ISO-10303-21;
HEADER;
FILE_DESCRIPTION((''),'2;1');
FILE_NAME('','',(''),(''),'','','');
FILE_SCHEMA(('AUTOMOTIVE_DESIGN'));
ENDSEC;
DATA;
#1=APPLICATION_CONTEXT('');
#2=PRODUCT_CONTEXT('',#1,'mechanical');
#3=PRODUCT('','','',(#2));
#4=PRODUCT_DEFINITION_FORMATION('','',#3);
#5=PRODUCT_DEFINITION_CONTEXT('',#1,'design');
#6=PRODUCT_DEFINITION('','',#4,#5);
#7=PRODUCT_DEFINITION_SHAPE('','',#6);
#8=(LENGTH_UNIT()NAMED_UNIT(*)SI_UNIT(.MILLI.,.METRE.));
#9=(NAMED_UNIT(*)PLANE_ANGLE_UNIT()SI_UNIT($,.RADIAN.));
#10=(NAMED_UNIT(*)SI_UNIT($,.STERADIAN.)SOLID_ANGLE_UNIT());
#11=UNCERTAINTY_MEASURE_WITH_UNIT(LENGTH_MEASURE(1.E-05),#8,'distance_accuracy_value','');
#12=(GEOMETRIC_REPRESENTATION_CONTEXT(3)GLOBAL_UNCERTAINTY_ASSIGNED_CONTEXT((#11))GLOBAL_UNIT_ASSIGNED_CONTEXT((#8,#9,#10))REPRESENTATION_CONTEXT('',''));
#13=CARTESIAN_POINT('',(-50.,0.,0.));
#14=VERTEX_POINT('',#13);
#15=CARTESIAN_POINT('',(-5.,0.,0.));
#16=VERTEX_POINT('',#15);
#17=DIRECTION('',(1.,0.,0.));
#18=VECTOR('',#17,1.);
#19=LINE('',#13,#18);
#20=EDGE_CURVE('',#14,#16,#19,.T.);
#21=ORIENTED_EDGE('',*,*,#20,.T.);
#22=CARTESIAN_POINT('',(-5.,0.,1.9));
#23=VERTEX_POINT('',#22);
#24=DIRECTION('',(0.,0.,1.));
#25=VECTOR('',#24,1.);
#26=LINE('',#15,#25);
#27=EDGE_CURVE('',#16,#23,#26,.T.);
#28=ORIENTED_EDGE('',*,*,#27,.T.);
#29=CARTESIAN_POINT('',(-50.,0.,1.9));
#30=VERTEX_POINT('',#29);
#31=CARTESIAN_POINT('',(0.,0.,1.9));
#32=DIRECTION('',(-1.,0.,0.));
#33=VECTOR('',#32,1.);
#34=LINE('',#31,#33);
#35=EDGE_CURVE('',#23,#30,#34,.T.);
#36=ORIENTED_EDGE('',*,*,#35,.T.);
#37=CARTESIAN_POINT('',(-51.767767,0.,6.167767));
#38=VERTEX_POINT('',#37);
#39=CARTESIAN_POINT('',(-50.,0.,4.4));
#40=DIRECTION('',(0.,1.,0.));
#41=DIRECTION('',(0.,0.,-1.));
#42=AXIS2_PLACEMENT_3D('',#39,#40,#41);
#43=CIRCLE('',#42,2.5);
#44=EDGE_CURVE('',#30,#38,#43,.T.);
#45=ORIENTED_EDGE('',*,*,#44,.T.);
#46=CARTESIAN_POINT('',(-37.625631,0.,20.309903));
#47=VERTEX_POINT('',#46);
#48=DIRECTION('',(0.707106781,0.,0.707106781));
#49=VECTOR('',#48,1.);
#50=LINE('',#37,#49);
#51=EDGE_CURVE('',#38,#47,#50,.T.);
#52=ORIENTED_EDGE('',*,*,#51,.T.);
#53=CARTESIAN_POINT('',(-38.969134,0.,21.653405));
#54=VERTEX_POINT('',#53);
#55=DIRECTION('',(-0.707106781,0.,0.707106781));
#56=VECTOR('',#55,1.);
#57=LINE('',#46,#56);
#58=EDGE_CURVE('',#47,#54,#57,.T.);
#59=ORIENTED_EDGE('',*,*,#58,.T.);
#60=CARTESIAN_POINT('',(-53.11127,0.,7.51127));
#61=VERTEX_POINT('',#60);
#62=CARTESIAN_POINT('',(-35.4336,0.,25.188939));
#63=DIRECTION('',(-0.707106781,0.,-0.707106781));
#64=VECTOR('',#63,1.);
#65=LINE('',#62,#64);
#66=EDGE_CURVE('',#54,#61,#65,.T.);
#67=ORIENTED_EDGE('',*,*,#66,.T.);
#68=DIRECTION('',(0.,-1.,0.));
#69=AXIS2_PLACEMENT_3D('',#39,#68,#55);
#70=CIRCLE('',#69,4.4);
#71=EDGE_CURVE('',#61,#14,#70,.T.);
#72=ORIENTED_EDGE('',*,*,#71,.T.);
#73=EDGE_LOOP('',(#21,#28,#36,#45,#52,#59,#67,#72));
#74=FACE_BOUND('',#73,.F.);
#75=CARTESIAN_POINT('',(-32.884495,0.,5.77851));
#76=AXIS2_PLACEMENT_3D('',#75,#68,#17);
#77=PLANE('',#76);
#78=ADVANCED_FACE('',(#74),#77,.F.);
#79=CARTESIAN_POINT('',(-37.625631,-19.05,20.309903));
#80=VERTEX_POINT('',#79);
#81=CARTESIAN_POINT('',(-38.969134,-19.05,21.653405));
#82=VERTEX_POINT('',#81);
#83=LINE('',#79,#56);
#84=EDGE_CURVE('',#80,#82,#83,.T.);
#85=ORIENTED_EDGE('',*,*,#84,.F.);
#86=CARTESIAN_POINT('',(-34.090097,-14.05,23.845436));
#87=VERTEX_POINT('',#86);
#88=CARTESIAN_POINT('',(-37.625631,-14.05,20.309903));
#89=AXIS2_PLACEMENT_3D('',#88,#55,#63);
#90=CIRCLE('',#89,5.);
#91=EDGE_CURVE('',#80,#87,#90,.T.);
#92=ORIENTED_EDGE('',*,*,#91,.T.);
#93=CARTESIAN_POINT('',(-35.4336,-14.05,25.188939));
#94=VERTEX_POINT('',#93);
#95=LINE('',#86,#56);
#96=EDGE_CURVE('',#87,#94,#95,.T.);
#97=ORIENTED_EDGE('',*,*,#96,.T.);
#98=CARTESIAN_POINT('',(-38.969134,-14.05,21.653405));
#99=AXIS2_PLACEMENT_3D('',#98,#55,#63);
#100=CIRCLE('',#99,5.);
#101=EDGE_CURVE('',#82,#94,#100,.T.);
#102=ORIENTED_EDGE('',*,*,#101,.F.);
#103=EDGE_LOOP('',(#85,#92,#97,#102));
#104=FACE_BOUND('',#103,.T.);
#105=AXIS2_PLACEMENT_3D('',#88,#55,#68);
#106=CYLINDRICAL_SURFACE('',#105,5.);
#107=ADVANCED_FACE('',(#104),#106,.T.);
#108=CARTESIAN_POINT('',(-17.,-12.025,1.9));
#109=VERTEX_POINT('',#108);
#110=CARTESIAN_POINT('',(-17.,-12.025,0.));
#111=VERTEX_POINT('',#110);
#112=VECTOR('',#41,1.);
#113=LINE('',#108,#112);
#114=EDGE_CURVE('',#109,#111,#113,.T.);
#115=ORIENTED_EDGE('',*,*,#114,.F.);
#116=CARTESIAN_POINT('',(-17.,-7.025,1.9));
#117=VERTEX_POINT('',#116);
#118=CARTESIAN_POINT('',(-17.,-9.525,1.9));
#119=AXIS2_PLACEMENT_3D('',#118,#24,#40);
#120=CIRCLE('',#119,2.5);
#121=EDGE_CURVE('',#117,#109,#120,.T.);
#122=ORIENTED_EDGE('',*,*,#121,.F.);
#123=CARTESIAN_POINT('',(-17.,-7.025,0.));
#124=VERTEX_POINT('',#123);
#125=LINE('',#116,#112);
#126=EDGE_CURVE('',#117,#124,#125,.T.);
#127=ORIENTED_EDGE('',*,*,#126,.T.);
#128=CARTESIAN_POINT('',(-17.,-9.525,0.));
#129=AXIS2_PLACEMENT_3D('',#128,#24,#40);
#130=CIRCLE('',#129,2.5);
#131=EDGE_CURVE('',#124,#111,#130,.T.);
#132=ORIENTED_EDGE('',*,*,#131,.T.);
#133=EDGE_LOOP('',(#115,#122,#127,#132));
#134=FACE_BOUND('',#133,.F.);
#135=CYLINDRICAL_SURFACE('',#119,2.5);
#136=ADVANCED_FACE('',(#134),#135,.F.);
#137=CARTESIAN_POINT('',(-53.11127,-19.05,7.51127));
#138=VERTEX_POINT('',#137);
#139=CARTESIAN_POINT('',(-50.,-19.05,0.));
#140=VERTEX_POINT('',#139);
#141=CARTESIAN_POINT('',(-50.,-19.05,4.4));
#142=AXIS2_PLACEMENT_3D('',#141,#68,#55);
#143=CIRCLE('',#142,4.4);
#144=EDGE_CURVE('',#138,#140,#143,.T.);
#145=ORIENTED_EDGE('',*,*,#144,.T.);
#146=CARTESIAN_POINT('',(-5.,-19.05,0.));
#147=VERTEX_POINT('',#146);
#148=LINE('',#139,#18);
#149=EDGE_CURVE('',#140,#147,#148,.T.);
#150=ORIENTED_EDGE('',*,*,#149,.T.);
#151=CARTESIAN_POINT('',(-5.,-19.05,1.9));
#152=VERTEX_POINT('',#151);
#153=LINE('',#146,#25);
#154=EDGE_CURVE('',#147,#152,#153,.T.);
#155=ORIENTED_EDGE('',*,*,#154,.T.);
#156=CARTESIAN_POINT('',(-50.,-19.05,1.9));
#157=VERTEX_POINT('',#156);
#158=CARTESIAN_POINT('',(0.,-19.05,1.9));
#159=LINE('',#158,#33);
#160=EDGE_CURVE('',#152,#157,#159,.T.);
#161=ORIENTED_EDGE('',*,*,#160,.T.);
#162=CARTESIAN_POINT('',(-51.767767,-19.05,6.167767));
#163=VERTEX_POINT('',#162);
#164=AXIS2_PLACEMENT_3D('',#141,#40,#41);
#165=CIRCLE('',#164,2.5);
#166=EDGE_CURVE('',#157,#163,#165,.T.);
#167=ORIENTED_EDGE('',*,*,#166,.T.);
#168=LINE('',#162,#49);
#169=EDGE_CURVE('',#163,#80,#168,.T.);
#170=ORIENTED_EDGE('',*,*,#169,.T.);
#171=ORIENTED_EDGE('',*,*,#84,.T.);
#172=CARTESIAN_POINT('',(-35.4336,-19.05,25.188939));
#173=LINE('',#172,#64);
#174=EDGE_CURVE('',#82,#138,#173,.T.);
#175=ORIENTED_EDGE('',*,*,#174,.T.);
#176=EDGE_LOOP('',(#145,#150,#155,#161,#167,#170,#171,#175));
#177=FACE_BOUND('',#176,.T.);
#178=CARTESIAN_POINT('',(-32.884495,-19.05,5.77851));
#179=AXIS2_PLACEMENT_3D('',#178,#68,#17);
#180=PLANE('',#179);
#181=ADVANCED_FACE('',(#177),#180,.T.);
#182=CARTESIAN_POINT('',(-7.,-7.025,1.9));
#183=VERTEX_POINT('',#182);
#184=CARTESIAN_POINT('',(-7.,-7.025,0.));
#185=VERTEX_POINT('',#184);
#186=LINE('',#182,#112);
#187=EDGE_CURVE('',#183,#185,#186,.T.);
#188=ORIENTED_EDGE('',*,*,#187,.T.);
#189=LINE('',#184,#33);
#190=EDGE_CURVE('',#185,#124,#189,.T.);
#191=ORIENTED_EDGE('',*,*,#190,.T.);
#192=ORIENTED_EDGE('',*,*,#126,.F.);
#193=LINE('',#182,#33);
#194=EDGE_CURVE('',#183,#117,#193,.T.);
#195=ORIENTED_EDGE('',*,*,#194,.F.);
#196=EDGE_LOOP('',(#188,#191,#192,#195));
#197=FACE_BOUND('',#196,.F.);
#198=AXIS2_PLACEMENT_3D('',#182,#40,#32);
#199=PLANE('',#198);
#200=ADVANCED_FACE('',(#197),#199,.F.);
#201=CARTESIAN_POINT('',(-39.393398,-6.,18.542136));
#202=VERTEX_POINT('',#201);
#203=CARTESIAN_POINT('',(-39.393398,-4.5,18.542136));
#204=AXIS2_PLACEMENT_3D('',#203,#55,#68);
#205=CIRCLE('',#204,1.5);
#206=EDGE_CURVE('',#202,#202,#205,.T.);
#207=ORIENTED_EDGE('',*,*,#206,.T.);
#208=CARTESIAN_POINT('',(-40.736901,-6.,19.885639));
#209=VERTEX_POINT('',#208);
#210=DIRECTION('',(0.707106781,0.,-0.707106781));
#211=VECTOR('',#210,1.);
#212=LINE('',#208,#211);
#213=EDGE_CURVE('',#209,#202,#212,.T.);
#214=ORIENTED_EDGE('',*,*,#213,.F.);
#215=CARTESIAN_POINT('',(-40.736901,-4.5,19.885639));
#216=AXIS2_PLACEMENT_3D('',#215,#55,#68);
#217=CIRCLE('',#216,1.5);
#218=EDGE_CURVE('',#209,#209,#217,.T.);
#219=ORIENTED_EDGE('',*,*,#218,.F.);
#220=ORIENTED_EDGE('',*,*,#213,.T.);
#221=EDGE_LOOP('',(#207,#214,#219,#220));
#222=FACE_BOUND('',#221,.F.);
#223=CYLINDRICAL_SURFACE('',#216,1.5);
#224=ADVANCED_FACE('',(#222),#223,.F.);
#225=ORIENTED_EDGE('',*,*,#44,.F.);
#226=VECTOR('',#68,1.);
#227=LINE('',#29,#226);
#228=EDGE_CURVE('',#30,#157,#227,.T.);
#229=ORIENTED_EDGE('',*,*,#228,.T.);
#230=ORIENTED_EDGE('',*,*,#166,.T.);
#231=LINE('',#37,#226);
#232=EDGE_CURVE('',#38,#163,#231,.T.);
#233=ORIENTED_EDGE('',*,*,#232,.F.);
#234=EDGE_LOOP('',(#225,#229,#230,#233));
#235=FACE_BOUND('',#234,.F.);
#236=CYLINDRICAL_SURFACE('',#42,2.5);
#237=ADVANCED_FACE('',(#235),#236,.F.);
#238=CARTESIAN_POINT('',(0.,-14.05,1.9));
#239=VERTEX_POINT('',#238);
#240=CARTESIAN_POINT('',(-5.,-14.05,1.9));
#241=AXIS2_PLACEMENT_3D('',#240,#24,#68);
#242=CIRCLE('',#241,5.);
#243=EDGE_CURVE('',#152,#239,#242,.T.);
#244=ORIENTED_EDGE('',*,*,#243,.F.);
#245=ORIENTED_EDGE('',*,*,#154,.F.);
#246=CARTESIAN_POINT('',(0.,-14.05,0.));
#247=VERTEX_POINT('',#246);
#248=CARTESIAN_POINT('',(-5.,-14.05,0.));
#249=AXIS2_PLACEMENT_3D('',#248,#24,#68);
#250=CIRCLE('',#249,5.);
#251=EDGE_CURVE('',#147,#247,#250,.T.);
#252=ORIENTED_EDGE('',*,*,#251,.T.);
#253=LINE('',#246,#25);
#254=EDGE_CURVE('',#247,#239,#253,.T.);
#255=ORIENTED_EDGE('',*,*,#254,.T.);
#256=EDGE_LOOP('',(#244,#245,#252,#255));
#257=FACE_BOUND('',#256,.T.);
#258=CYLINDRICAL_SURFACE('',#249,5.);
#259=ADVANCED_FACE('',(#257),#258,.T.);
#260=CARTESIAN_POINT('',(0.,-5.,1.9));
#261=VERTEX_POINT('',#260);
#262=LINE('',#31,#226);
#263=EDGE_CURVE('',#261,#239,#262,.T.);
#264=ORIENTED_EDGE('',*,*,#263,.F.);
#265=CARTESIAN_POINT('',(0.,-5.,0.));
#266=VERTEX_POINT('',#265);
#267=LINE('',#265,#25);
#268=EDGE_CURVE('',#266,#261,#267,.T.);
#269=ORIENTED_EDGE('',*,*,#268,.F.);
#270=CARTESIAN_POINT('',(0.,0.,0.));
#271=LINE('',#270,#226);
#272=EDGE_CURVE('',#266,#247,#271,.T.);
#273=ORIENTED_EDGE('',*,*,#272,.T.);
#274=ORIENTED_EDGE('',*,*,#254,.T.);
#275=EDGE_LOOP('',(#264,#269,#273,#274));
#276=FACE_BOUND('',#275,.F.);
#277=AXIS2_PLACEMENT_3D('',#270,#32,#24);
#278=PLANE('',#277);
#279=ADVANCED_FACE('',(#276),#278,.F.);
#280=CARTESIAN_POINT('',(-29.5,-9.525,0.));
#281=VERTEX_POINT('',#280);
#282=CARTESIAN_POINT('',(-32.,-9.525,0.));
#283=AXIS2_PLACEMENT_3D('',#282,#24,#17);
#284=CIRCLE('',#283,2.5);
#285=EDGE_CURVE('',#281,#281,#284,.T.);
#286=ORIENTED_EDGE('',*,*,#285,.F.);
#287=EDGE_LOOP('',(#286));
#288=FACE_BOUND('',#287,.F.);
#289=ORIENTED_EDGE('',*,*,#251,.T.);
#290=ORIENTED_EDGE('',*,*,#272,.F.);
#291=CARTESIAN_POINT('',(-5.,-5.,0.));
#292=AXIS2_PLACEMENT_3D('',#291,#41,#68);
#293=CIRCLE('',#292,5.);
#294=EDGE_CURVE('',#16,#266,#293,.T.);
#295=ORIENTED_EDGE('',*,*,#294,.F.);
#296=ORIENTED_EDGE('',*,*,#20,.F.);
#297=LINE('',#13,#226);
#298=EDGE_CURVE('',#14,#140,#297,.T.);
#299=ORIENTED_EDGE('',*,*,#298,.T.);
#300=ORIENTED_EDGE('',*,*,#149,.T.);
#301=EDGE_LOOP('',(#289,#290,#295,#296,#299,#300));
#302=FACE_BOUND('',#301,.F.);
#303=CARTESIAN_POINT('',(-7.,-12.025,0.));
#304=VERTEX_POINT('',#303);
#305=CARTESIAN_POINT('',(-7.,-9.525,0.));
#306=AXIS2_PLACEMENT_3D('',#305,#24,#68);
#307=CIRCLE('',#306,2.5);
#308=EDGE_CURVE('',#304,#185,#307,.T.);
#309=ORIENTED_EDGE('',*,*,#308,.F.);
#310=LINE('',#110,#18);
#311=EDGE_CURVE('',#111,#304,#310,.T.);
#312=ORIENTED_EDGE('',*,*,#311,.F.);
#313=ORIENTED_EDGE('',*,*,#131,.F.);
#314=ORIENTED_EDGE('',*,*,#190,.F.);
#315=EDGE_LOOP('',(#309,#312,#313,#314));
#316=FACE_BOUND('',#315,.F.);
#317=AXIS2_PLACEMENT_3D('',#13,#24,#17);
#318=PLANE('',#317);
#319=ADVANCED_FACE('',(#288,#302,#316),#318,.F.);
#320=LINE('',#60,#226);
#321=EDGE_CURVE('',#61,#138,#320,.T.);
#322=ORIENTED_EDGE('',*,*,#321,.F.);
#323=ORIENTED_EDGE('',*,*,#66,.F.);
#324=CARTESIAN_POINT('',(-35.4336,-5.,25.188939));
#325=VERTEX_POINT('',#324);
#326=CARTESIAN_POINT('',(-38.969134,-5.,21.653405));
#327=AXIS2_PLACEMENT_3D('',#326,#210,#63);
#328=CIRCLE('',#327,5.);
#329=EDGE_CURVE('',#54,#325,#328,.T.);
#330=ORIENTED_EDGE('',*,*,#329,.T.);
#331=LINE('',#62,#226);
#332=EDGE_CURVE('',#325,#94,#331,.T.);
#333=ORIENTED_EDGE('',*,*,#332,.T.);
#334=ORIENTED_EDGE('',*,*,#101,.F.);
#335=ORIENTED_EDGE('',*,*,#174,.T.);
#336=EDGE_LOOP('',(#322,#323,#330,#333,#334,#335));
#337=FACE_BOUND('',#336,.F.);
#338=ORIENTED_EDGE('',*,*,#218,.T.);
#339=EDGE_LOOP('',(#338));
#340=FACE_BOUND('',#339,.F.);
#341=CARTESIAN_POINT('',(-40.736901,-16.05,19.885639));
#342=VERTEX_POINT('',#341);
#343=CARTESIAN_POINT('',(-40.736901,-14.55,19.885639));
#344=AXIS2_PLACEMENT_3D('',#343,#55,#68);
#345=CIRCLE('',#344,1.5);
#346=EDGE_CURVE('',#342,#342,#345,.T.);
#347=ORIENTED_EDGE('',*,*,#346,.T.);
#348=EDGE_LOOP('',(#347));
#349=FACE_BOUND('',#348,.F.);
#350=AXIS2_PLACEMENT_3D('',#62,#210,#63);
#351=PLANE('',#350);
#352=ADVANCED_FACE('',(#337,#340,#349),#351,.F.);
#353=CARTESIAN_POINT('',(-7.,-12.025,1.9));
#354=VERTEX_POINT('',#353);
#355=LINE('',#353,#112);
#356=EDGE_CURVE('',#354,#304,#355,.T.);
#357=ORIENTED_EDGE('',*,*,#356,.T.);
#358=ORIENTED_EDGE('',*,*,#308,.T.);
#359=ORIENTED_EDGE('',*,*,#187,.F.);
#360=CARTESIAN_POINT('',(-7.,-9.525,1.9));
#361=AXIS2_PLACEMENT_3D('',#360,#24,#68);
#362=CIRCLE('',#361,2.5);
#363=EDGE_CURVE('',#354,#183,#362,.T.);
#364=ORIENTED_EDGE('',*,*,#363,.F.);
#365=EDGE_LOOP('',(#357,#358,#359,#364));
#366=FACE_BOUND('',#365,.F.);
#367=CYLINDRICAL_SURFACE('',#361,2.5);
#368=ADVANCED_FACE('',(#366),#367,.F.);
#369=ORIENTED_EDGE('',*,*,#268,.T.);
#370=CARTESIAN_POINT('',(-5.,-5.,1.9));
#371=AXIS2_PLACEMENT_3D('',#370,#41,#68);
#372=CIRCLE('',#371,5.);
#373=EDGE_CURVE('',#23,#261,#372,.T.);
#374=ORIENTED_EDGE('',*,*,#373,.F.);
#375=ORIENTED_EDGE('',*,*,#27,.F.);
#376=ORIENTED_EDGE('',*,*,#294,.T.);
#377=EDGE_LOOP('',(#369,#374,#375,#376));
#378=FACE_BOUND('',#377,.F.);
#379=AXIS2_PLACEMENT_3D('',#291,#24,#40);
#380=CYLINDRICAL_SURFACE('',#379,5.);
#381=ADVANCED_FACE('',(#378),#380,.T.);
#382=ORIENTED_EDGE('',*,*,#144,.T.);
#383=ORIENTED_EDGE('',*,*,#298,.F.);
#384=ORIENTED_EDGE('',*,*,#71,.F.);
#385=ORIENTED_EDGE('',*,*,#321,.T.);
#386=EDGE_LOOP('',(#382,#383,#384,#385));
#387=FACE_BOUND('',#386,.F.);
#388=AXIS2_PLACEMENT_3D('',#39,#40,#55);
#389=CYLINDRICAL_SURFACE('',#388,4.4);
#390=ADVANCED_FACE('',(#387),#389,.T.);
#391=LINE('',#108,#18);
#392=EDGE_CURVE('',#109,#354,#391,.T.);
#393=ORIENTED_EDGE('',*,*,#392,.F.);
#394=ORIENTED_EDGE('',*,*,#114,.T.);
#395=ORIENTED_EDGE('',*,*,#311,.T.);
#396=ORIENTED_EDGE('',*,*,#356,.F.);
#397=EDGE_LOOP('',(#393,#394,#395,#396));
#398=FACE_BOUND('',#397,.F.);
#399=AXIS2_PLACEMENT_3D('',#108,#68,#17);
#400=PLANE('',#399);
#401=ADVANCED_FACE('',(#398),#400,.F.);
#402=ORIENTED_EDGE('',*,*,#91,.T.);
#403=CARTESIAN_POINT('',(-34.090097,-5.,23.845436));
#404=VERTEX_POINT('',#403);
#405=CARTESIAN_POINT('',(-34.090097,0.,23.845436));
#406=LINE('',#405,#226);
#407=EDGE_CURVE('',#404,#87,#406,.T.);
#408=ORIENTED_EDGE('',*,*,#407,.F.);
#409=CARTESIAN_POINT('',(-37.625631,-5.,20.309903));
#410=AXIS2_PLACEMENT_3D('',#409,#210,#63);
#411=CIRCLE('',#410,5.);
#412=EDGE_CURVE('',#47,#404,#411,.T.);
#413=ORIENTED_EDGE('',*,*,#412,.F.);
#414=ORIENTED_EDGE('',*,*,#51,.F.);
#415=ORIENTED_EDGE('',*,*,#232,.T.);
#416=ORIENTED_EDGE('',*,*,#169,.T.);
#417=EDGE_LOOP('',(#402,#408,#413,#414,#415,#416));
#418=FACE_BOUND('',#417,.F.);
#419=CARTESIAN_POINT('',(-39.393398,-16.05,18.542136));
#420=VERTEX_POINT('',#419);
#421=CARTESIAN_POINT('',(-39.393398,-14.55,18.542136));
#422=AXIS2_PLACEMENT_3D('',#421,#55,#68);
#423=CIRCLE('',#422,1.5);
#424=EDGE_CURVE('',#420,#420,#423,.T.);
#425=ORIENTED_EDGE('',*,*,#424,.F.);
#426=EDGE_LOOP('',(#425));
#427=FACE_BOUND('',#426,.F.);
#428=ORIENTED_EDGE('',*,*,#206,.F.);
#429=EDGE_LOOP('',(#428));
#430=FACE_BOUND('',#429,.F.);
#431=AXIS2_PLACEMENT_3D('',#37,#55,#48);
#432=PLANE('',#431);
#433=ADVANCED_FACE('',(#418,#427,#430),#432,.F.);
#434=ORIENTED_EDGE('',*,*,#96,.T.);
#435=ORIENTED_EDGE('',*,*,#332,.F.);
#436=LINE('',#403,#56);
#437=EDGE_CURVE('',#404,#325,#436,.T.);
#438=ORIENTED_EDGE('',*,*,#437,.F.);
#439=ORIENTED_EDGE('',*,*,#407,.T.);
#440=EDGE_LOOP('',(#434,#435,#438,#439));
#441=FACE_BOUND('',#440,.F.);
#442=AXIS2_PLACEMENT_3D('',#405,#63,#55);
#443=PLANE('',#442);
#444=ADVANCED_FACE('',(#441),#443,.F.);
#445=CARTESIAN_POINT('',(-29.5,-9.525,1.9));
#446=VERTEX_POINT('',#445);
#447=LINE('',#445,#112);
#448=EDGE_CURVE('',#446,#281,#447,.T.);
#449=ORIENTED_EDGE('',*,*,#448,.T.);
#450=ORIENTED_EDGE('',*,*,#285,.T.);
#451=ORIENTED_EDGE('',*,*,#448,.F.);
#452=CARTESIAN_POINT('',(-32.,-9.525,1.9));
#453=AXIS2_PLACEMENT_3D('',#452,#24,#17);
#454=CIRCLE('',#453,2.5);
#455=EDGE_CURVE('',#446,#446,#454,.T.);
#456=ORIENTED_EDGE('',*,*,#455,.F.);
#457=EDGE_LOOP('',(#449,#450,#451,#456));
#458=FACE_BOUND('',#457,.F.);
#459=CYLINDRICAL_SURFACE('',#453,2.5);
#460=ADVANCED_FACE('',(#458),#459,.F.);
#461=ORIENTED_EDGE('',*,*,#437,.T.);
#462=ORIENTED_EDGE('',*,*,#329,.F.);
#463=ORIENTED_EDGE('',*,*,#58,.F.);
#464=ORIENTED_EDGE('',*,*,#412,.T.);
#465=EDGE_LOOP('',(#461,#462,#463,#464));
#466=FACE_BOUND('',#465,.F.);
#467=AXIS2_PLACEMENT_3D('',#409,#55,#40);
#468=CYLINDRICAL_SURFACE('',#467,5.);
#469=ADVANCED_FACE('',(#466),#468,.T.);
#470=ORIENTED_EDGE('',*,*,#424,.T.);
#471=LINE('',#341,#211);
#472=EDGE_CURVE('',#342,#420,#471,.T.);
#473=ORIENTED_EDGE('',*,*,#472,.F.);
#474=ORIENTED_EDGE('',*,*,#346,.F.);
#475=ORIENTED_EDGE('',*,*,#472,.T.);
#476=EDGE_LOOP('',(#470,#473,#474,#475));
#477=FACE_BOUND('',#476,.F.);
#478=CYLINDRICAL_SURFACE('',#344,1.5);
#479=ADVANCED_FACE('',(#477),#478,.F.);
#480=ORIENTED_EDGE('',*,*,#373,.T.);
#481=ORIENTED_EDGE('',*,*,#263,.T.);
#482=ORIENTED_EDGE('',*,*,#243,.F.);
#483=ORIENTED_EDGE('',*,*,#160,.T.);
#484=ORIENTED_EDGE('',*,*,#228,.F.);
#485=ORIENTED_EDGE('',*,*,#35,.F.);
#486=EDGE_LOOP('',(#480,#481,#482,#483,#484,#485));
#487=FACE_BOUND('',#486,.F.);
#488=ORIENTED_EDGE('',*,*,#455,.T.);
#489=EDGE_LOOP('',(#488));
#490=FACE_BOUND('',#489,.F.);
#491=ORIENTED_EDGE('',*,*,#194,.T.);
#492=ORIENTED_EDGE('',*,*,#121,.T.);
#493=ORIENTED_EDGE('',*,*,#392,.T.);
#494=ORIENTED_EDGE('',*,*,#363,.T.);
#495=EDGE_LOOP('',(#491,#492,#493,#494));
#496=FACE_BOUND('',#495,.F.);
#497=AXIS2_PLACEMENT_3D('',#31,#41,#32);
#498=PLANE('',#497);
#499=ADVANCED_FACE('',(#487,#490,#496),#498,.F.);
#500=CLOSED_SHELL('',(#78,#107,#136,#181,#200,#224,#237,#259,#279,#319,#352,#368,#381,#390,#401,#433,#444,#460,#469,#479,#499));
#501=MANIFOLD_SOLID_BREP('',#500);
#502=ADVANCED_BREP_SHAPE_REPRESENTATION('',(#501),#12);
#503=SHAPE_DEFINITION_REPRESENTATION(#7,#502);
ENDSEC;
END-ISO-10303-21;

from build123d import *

# Parameters (mm, degrees)
F1_DEPTH = 19.05
F2_R     = 2.5
F3_DEPTH = 1.9
F4_R     = 1.5
F5_DEPTH = 1.9
F6_R     = 5


with BuildPart() as f1:
    # F0 (on Front) → F1 (new body)
    with BuildSketch(Plane.XZ):
        with BuildLine():
            Line((-50, 0), (0, 0))
            Line((0, 0), (0, 1.9))
            Line((0, 1.9), (-50, 1.9))
            ThreePointArc((-50, 1.9), (-52.3096988313, 3.4432914191), (-51.767766953, 6.167766953))
            Line((-51.767766953, 6.167766953), (-34.0900974233, 23.8454364826))
            Line((-34.0900974233, 23.8454364826), (-35.4336003076, 25.1889393669))
            Line((-35.4336003076, 25.1889393669), (-53.1112698372, 7.5112698372))
            ThreePointArc((-53.1112698372, 7.5112698372), (-54.065069943, 2.7161928976), (-50, 0))
        make_face()
    extrude(amount=F1_DEPTH)

    # F2 (on face) → F3 (cut)
    with BuildSketch(Plane.XY.offset(1.9)):
        with Locations((-32, -9.525)):
            Circle(F2_R)
        with BuildLine():
            Line((-17, -12.025), (-7, -12.025))
            ThreePointArc((-7, -12.025), (-4.5, -9.525), (-7, -7.025))
            Line((-7, -7.025), (-17, -7.025))
            ThreePointArc((-17, -7.025), (-19.5, -9.525), (-17, -12.025))
        make_face()
    extrude(amount=-F3_DEPTH, mode=Mode.SUBTRACT)

    # F4 (on face) → F5 (cut)
    with BuildSketch(Plane(origin=(-30.3112698372, 0, 30.3112698372), x_dir=(0, -1, 0), z_dir=(-0.7071067812, 0, 0.7071067812))):
        with Locations((14.55, -14.7440692221)):
            Circle(F4_R)
        with Locations((4.5, -14.7440692221)):
            Circle(F4_R)
    extrude(amount=-F5_DEPTH, mode=Mode.SUBTRACT)

    # F6
    f6_edges = [f1.edges().sort_by_distance(p)[0] for p in [
        (-34.761849, 0, 24.517188),
        (-34.761849, -19.05, 24.517188),
        (0, -19.05, 0.95),
        (0, 0, 0.95),
    ]]
    fillet(f6_edges, radius=F6_R)


solid = f1.part
